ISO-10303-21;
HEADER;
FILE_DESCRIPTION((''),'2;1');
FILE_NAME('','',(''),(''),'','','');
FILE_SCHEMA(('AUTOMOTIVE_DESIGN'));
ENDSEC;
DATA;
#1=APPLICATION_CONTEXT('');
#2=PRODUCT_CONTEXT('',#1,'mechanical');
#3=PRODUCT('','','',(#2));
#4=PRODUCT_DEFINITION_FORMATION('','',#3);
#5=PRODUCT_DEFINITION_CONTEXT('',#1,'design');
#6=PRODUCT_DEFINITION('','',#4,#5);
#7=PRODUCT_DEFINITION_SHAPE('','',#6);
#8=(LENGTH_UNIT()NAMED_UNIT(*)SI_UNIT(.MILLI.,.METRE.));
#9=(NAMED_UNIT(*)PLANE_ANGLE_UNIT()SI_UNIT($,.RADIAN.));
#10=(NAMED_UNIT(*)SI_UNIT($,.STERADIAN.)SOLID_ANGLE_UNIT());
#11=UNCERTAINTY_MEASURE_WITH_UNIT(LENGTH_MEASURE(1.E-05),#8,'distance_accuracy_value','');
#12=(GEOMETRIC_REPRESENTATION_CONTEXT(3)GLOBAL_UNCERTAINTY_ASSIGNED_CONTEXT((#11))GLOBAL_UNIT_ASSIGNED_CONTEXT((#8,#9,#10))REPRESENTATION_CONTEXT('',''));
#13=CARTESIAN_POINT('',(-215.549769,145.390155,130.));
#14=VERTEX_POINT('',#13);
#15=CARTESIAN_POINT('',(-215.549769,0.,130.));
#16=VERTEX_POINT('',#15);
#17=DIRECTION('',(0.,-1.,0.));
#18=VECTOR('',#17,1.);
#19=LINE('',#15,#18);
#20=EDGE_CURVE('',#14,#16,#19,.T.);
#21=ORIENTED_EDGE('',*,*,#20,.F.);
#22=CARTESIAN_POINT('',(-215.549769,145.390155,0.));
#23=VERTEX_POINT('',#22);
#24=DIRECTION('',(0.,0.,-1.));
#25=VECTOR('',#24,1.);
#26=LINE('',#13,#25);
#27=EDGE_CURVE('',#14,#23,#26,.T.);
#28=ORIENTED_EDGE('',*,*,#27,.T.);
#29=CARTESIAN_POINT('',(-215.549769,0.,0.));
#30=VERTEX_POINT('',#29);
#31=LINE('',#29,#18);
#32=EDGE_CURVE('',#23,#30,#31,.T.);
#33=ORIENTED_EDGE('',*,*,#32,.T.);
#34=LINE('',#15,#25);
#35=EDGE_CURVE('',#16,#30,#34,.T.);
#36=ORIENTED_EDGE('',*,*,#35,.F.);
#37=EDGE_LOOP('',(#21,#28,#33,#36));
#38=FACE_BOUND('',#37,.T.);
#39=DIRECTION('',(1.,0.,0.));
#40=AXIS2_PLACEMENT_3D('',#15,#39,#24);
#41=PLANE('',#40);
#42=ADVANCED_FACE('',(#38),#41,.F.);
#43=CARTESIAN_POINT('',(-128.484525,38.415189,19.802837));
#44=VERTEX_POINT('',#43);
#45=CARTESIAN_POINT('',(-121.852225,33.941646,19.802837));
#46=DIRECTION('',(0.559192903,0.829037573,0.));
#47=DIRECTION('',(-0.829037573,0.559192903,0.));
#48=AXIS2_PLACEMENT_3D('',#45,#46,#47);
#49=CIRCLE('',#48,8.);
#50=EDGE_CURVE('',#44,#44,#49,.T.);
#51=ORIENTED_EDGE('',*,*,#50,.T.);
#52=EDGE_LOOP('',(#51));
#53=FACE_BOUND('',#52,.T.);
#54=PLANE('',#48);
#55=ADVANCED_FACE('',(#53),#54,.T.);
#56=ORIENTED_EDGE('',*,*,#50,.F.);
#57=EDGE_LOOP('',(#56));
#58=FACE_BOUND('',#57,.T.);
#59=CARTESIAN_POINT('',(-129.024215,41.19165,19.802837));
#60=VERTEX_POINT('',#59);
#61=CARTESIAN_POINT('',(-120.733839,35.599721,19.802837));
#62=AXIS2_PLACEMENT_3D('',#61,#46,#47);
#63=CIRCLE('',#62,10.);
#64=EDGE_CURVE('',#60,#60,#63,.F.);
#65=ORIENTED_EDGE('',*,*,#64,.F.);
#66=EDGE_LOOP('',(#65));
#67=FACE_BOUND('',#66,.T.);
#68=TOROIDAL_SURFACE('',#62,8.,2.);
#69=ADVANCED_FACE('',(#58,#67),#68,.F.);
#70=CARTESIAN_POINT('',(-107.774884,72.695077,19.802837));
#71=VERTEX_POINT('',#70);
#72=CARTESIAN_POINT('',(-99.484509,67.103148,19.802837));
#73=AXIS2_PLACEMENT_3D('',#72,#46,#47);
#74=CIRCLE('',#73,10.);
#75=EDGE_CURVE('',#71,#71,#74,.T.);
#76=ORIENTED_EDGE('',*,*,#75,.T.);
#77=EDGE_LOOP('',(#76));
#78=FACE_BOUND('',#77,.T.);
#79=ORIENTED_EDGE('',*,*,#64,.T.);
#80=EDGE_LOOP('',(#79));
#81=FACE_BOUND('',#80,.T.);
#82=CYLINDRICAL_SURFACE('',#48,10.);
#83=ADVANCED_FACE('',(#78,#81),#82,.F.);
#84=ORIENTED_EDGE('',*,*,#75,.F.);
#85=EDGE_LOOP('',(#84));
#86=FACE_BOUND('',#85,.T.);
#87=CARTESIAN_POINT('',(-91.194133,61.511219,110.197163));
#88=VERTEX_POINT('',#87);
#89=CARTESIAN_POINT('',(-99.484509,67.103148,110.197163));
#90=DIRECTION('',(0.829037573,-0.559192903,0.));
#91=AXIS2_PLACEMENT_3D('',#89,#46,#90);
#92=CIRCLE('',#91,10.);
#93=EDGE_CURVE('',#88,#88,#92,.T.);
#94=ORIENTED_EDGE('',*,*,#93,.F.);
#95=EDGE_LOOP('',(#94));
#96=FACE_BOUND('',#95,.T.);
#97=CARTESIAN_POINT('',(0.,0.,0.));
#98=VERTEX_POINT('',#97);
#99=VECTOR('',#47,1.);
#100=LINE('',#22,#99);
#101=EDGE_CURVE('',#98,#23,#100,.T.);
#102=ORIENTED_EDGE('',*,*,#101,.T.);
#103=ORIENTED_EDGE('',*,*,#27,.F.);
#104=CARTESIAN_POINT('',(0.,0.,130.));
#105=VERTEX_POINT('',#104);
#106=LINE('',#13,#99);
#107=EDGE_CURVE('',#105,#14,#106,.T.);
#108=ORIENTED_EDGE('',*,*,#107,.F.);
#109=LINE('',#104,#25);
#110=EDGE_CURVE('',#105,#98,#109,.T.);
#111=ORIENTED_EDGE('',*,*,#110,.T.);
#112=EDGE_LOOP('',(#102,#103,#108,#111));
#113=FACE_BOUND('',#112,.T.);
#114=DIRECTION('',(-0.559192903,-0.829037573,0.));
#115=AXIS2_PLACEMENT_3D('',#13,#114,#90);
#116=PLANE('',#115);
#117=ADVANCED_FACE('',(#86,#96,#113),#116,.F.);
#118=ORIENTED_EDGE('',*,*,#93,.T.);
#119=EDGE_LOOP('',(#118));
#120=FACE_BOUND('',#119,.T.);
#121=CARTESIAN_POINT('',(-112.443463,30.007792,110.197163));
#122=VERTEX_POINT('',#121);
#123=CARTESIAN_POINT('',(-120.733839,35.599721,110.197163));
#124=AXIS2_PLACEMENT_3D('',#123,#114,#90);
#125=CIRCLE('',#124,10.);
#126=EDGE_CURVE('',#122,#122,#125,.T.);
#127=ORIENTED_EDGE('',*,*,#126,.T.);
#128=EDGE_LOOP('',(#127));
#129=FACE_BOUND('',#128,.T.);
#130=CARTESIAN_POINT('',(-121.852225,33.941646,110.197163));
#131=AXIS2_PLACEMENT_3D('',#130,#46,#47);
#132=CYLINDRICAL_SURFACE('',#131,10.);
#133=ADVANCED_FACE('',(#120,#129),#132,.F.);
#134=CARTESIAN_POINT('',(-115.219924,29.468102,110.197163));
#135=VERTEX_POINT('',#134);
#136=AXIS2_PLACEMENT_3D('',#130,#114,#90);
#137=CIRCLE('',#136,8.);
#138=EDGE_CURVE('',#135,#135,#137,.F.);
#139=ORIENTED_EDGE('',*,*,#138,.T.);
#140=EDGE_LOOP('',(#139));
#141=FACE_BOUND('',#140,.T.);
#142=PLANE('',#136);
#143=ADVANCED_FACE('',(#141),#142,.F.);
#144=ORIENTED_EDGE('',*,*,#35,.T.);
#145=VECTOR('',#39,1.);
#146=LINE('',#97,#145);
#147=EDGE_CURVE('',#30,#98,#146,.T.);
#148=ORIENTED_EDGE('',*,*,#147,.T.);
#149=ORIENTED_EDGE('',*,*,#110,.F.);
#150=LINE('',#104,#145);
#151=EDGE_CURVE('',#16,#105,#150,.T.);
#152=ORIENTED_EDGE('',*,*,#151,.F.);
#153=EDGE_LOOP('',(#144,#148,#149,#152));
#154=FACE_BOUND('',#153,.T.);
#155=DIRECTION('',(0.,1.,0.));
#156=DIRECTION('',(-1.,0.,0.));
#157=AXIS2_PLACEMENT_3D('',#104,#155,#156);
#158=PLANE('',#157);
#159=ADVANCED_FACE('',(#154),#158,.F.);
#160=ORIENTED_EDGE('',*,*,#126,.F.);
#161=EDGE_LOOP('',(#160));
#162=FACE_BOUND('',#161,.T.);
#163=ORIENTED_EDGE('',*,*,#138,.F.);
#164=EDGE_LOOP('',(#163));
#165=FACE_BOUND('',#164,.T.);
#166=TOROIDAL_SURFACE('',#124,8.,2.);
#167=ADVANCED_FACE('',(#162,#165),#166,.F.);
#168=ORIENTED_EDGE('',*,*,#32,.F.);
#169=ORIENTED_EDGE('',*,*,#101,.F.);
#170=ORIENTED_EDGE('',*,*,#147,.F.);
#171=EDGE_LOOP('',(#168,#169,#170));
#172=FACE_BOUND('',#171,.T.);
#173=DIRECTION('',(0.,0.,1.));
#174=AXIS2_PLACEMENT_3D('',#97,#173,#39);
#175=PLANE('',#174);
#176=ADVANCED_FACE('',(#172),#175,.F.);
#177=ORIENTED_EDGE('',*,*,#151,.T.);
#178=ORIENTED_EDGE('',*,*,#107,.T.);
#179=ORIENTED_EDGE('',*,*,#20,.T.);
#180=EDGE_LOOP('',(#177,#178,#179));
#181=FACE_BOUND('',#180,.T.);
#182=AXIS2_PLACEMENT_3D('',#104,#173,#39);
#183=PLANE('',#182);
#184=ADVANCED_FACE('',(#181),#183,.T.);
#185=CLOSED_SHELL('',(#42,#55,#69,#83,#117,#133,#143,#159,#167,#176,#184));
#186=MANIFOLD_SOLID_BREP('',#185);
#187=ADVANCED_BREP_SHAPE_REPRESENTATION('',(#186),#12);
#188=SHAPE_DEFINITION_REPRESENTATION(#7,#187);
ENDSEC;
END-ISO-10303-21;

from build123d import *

# Parameters (mm, degrees)
BOSS_EXTRU_1_DEPTH      = 130
ESQUISSE3_R             = 10
ENL_V_MAT_EXTRU_1_DEPTH = 40
CONG_1_R                = 2
CONG_2_R                = 2


with BuildPart() as part:
    # Esquisse2 → Boss.-Extru.1 (new body)
    with BuildSketch(Plane.XY):
        Polygon((0, 0), (-215.549768864, 0), (-215.549768864, 145.390154902), align=None)
    extrude(amount=BOSS_EXTRU_1_DEPTH)

    # Esquisse3 → Enlèv. mat.-Extru.1 (cut)
    with BuildSketch(Plane(origin=(0, 0, 0), x_dir=(0.829037573, -0.559192903, 0), z_dir=(0.559192903, 0.829037573, 0))):
        with Locations((-120, -19.80283687)):
            Circle(ESQUISSE3_R)
        with Locations((-120, -110.19716313)):
            Circle(ESQUISSE3_R)
    extrude(amount=-ENL_V_MAT_EXTRU_1_DEPTH, mode=Mode.SUBTRACT)

    # Congé1
    cong_1_edges = [part.edges().sort_by_distance(p)[0] for p in [
        (-130.142600571, 39.533574549, 19.80283687),
    ]]
    fillet(cong_1_edges, radius=CONG_1_R)

    # Congé2
    cong_2_edges = [part.edges().sort_by_distance(p)[0] for p in [
        (-130.142600571, 39.533574549, 110.19716313),
    ]]
    fillet(cong_2_edges, radius=CONG_2_R)


solid = part.part
